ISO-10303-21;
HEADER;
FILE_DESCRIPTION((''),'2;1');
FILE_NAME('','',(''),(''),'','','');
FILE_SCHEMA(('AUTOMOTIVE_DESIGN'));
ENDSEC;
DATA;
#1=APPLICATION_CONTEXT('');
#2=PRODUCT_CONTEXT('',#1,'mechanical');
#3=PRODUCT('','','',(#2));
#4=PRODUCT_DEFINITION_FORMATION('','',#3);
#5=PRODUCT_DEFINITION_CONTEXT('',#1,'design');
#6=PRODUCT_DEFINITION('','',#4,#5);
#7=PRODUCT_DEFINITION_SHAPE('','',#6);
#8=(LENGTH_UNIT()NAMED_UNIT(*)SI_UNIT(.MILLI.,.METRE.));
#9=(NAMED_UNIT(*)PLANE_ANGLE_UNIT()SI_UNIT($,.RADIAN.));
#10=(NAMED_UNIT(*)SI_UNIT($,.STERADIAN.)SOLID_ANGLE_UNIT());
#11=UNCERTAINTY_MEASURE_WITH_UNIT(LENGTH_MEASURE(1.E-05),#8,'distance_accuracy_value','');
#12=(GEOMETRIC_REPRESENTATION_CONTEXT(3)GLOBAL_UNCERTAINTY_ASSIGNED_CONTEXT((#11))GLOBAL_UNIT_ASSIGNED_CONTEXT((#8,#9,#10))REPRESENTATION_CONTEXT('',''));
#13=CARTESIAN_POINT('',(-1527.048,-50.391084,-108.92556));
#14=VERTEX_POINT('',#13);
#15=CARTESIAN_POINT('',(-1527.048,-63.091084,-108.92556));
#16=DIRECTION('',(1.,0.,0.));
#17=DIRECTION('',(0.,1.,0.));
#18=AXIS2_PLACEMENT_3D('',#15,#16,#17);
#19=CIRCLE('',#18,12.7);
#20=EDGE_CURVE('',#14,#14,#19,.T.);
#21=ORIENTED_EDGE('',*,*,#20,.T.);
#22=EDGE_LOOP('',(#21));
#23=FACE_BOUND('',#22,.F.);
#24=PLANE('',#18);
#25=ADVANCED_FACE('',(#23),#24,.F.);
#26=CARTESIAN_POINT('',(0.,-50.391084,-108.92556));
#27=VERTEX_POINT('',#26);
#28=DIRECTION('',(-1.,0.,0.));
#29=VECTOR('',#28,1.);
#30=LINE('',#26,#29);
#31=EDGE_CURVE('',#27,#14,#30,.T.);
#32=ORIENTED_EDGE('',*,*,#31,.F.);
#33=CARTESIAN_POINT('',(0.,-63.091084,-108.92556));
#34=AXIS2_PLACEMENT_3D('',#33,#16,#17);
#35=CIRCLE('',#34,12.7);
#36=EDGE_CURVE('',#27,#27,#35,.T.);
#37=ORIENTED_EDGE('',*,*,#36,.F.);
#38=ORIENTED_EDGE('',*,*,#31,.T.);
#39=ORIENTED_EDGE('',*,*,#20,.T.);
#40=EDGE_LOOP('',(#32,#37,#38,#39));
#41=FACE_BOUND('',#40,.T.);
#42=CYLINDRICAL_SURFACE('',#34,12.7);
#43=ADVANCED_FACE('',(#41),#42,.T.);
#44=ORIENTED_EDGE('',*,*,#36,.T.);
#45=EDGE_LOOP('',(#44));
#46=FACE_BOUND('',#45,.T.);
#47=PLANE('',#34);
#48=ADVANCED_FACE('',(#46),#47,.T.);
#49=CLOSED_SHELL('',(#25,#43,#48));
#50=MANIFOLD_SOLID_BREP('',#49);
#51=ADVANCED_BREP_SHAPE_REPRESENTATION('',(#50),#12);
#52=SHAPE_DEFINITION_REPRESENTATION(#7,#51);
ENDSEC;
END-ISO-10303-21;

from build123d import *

# Parameters (mm, degrees)
SKETCH_R  = 12.7
PAD_DEPTH = 1527.048


with BuildPart() as part:
    # Sketch → Pad (new body)
    with BuildSketch(Plane.YZ):
        with Locations((-63.091084, -108.92556)):
            Circle(SKETCH_R)
    extrude(amount=-PAD_DEPTH)


solid = part.part
